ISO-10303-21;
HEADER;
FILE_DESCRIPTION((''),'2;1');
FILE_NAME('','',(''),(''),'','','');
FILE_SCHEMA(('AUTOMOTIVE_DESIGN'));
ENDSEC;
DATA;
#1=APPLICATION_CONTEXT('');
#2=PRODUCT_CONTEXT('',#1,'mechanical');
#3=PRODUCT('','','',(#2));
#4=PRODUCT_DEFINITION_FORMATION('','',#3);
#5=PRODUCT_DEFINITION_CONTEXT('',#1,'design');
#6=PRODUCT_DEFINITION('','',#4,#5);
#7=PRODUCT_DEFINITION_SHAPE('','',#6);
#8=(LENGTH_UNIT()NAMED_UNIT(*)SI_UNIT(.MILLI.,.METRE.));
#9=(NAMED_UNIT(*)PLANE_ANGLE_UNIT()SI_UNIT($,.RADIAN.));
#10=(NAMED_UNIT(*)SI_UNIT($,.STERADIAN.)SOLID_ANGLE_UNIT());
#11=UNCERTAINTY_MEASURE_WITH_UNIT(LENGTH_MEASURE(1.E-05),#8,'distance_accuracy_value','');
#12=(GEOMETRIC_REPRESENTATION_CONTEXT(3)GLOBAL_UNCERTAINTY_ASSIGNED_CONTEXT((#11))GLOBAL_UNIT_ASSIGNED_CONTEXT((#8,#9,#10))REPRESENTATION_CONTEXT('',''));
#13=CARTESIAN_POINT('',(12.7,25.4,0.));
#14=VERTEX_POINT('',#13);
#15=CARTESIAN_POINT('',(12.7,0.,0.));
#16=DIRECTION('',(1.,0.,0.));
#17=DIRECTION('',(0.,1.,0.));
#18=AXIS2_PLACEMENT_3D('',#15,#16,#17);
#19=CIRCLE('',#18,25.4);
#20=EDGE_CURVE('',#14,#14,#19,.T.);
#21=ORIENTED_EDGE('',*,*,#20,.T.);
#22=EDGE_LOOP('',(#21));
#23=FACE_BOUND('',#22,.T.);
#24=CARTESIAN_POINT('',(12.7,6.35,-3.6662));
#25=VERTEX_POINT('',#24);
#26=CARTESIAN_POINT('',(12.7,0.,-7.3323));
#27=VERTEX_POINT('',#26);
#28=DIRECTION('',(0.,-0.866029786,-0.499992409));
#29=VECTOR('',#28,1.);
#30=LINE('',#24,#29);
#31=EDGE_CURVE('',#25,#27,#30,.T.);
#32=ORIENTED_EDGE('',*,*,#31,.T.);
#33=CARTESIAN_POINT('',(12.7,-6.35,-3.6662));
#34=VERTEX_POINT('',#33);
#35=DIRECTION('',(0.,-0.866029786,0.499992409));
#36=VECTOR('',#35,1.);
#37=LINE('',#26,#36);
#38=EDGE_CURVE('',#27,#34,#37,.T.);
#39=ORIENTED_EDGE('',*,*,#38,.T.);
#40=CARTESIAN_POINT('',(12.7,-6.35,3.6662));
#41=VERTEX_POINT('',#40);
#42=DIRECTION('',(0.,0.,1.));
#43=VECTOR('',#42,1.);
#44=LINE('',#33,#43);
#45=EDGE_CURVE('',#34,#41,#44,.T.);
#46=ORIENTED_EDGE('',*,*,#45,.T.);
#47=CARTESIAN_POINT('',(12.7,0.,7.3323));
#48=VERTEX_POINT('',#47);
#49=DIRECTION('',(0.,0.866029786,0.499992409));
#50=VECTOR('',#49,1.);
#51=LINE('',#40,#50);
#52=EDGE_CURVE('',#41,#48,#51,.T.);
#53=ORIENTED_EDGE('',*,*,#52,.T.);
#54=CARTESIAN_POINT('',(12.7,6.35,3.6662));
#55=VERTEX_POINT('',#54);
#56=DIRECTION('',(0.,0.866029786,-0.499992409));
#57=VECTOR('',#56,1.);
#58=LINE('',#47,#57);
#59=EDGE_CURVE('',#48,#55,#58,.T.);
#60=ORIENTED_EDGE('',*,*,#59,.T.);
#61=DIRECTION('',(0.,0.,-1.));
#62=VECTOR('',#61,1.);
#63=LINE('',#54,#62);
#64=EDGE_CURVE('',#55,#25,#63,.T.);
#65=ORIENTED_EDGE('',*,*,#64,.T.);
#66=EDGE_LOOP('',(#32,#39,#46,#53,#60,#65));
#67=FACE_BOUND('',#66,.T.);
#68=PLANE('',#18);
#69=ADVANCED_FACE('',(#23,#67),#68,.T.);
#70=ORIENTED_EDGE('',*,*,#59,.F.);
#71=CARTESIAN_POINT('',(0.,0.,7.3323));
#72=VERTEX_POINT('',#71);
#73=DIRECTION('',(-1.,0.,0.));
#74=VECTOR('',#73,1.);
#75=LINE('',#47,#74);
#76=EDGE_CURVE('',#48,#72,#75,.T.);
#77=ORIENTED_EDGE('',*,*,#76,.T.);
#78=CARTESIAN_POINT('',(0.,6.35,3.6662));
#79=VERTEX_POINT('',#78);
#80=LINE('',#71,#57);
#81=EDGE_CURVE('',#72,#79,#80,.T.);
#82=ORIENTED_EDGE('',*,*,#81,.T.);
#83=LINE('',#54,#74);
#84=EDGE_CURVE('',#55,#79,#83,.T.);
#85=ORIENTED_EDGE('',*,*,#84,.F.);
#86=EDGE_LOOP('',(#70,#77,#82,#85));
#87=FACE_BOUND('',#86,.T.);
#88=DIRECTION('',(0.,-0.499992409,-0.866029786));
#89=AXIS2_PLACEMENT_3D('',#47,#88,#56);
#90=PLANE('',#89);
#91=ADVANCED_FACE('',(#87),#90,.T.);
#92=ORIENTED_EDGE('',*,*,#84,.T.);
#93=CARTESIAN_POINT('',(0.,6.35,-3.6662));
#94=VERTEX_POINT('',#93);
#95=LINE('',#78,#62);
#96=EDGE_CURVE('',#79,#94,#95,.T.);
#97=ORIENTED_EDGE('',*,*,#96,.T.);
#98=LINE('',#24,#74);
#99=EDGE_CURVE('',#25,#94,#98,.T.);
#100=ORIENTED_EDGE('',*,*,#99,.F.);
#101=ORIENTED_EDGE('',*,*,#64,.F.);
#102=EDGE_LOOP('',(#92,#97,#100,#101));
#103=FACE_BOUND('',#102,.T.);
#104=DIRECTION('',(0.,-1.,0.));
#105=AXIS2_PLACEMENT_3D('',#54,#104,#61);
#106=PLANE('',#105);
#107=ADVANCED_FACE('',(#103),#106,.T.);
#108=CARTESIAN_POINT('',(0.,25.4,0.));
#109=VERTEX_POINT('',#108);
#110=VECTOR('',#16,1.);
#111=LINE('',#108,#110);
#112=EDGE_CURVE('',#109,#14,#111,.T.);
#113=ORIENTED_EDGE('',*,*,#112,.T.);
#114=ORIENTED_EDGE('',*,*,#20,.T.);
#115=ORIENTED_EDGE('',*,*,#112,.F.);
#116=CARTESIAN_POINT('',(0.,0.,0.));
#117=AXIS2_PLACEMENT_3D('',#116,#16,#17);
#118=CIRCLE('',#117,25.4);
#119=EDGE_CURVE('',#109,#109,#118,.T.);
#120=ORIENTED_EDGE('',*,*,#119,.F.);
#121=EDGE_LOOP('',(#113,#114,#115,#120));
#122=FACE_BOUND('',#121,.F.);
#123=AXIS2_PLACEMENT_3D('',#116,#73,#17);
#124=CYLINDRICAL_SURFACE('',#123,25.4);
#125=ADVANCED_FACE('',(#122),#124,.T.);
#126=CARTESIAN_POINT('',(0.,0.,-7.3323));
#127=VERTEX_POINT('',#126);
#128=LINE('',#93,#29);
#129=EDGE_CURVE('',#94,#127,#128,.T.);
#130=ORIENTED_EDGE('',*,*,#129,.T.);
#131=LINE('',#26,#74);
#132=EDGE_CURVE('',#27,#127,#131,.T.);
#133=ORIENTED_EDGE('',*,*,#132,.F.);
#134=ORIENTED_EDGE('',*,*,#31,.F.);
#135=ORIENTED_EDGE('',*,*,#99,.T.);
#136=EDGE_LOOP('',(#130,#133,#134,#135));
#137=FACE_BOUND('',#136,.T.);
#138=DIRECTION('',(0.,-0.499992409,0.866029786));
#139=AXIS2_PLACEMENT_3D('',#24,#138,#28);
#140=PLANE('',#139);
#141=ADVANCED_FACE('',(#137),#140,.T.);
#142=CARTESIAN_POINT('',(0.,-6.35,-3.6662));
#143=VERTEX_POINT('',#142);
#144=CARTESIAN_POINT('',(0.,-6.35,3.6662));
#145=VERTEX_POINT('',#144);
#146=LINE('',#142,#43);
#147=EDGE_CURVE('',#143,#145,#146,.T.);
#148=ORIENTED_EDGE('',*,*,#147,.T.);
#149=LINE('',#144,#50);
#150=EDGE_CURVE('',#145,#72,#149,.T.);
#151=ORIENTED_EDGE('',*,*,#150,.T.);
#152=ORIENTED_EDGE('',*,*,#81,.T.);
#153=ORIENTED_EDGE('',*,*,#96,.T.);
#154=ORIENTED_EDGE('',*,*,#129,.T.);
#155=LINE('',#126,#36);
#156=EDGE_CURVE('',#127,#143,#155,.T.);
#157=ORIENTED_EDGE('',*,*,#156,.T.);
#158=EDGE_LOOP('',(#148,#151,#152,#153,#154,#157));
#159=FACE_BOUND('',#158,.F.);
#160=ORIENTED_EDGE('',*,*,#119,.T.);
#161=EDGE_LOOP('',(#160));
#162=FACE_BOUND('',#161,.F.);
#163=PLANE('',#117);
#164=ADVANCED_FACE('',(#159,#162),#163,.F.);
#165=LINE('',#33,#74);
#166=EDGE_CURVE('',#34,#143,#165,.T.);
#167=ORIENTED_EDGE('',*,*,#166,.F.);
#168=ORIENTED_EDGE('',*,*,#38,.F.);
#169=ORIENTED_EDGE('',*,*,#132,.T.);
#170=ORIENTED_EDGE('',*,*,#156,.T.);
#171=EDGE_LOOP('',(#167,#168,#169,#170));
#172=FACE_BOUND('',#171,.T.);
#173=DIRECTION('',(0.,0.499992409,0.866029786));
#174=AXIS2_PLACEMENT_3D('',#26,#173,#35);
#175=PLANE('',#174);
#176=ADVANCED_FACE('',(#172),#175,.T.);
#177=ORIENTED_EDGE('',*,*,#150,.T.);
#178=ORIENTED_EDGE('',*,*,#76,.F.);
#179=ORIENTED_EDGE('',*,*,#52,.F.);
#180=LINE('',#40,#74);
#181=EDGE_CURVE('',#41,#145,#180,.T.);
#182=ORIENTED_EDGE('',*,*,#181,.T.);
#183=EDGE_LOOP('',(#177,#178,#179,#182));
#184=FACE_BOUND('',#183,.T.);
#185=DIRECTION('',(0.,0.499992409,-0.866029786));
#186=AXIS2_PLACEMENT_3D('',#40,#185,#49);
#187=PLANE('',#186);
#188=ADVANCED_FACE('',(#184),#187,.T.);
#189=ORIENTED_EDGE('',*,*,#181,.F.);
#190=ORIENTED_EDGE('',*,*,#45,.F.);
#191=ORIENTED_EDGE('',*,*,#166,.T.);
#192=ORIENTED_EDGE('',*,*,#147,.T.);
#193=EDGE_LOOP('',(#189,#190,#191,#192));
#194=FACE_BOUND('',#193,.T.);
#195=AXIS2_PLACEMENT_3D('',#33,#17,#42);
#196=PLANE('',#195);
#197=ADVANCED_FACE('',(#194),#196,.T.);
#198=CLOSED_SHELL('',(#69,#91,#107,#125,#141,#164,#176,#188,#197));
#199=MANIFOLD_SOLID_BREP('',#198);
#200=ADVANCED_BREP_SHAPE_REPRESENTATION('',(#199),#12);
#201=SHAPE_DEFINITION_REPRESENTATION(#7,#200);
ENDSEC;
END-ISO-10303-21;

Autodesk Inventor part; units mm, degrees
ref_plane "YZ Plane" through (0, 0, 0) normal (1, 0, 0) x (0, 1, 0)
ref_plane "XZ Plane" through (0, 0, 0) normal (0, 1, 0) x (-1, 0, 0)
ref_plane "XY Plane" through (0, 0, 0) normal (0, 0, 1) x (1, 0, 0)
sketch "Sketch1" plane through (0, 0, 0) normal (1, 0, 0) x (0, 1, 0)
  circle A0 centre (0, 0) radius 25.4
  dimension "d0" = 50.8
extrude "Extrusion1" add sketch "Sketch1" along normal blind 12.7
sketch "Sketch2" plane through (12.7, 0, 0) normal (1, 0, 0) x (0, 0, -1)
  circle A0 centre (0, 0) radius 25.4 projected
  line L0 (-3.6662, 6.35) -> (3.6662, 6.35)
  line L1 (3.6662, 6.35) -> (7.3323, 0)
  line L2 (7.3323, 0) -> (3.6662, -6.35)
  line L3 (3.6662, -6.35) -> (-3.6662, -6.35)
  line L4 (-3.6662, -6.35) -> (-7.3323, 0)
  line L5 (-7.3323, 0) -> (-3.6662, 6.35)
  dimension "d3" = 12.7
  dimension "d4" = 12.7
  dimension "d5" = 12.7
  dimension "d6" = 6.35
  dimension "d7" = 6.35
  dimension "d8" = 6.35
  dimension "d9" = 120
  dimension "d10" = 120
extrude "Extrusion2" cut sketch "Sketch2" against normal blind 12.7 contours L0 L1 L2 L3 L4 L5
properties part number "back roller hub"
